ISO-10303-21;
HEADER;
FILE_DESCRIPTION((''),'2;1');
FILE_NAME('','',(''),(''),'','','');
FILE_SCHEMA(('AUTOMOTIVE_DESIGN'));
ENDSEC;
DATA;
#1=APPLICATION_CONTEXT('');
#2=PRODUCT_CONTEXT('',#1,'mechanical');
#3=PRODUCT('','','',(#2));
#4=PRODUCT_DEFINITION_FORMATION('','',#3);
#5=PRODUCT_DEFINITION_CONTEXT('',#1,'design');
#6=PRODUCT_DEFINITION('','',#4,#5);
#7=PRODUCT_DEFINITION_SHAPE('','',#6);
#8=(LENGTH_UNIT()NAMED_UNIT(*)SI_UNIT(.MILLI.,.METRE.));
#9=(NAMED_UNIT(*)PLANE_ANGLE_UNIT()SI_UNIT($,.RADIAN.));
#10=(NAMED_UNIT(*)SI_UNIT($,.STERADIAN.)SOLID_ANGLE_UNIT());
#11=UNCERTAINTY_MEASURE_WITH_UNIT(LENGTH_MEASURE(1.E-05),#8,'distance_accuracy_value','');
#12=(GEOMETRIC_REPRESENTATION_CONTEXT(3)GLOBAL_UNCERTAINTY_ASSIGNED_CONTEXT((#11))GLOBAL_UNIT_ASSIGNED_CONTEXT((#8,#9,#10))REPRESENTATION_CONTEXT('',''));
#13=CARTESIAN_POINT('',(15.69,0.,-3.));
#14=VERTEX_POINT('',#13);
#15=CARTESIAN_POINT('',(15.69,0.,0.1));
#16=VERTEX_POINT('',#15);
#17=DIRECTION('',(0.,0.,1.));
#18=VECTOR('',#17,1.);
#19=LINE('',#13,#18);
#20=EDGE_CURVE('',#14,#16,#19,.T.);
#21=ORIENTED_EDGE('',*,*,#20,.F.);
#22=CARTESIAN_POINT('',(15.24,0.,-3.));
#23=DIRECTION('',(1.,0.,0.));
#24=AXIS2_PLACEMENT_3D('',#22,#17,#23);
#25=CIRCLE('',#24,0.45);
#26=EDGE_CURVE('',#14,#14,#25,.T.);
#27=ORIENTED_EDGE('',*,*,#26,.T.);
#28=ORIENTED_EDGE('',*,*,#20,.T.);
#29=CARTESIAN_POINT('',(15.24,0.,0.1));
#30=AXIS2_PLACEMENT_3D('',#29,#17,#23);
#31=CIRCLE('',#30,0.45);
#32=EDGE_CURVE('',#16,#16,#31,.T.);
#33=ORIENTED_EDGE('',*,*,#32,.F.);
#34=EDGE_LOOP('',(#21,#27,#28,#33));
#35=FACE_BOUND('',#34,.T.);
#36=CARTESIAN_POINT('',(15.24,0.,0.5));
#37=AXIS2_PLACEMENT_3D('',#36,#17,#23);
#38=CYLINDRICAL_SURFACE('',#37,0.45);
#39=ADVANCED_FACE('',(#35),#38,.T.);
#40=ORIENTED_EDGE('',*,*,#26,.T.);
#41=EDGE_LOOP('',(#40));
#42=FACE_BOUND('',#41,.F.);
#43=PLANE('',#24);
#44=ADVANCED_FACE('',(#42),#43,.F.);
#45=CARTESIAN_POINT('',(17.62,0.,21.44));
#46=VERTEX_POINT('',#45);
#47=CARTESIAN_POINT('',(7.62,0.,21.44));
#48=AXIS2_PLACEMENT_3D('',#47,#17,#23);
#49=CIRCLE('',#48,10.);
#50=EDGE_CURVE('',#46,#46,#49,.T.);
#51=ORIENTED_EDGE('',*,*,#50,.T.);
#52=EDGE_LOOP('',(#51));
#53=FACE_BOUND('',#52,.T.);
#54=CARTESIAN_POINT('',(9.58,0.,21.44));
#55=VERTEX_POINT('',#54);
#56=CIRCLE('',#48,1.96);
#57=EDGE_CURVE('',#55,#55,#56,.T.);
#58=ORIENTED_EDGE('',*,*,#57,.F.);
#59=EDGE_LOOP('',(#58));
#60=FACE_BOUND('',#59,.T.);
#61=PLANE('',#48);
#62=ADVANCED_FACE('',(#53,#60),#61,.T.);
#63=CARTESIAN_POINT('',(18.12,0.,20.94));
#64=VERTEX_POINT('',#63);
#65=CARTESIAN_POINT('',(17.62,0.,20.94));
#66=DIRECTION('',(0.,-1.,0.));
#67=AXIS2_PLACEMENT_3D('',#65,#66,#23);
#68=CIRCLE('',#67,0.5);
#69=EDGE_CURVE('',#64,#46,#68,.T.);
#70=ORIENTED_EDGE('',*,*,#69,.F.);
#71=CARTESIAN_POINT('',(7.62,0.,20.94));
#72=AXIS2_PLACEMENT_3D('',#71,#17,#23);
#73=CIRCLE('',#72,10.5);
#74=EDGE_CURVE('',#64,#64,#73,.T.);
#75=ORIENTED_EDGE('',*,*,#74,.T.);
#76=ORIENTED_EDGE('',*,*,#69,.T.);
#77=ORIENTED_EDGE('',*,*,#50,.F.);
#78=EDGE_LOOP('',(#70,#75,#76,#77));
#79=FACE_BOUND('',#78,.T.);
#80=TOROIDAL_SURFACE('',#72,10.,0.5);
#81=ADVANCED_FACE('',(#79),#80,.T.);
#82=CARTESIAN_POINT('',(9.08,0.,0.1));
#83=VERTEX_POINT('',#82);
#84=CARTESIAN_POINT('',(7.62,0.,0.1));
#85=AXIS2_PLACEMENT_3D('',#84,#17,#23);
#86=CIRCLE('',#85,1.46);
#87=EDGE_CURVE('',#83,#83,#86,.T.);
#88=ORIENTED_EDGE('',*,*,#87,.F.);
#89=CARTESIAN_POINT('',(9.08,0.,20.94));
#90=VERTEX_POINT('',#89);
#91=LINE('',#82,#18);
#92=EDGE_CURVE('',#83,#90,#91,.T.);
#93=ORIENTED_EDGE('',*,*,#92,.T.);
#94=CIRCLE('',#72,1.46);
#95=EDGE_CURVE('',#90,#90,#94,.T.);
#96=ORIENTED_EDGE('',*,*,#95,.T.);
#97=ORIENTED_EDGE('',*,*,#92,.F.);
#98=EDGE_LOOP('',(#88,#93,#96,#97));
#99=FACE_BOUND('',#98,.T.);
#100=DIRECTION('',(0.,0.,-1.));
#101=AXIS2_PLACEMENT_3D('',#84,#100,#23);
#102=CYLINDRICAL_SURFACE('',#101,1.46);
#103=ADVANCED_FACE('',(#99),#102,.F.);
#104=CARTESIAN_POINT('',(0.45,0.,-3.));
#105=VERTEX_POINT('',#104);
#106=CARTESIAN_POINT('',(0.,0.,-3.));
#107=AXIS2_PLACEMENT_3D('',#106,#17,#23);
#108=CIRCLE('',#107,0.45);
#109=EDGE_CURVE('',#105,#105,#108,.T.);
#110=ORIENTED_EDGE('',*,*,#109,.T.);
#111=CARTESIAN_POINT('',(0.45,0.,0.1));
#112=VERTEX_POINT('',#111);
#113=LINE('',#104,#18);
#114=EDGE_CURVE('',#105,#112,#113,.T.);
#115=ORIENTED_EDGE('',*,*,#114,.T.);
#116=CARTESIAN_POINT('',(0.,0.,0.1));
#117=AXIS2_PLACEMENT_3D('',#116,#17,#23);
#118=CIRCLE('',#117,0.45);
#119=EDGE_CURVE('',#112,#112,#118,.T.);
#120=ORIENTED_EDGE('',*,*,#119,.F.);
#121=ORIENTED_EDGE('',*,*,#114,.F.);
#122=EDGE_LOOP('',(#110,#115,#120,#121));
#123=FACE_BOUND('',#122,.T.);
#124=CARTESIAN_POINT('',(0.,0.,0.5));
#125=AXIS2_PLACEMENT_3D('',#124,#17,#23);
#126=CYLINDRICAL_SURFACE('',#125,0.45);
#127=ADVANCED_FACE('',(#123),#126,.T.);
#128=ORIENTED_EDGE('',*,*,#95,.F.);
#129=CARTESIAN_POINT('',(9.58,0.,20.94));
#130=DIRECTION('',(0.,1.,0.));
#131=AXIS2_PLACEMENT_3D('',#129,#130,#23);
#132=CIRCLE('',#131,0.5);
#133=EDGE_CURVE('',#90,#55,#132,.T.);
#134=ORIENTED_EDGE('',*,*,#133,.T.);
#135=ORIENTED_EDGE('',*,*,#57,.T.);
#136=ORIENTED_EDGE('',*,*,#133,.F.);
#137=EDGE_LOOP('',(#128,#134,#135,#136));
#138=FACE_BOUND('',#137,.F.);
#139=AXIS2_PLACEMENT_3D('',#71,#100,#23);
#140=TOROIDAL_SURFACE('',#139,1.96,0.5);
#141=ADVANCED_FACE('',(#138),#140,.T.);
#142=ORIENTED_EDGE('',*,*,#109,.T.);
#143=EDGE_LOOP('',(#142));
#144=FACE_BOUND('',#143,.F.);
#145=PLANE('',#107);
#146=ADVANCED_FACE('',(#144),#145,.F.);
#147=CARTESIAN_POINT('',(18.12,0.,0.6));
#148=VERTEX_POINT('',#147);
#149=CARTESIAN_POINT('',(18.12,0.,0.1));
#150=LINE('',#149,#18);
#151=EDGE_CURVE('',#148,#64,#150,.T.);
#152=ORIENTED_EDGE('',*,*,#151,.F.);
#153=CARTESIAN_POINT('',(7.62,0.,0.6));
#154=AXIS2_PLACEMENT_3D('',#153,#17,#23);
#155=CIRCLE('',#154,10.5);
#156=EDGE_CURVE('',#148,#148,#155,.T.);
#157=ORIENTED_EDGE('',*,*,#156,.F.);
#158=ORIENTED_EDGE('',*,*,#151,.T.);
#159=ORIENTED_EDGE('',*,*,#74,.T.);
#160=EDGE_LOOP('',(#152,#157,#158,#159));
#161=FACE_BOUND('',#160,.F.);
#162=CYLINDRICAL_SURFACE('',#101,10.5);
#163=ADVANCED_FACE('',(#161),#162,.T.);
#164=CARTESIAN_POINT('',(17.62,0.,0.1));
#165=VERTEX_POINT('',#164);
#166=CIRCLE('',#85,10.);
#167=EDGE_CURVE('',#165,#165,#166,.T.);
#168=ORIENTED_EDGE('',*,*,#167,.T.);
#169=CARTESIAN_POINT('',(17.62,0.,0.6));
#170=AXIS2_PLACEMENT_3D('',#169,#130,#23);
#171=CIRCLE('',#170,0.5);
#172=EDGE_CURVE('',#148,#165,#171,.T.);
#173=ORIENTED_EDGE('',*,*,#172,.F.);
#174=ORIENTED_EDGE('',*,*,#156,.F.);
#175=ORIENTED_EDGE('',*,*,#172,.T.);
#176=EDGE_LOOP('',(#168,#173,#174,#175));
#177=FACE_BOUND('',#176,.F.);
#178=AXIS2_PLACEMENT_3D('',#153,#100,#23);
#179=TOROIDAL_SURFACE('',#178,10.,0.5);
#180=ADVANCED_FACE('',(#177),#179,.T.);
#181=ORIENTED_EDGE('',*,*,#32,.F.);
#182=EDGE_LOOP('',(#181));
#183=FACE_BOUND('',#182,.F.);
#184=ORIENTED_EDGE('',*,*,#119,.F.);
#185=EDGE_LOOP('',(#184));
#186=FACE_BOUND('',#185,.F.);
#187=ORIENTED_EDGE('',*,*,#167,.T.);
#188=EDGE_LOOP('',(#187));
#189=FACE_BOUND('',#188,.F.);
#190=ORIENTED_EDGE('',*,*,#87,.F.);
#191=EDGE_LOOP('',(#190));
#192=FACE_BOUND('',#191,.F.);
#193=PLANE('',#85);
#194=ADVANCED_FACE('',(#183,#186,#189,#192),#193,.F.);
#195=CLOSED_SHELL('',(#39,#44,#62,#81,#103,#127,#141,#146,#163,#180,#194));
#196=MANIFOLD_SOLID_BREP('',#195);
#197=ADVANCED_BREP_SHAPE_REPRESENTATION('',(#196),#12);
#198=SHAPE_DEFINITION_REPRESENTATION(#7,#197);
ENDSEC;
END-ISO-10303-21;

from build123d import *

# Parameters (mm, degrees)
SKETCH_R          = 10.5
SKETCH_R_2        = 1.46
PAD_DEPTH         = 21.34
FILLET_R          = 0.5
SKETCH001_R       = 0.45
PAD001_DEPTH      = 10.67
PAD001_DEPTH_BACK = 3.5


with BuildPart() as fillet_body:
    # Sketch → Pad (new body)
    with BuildSketch(Plane.XY.offset(0.1)):
        with Locations((7.62, 0)):
            Circle(SKETCH_R)
        with Locations((7.62, 0)):
            Circle(SKETCH_R_2, mode=Mode.SUBTRACT)
    extrude(amount=PAD_DEPTH)

    # Fillet
    fillet_edges = [fillet_body.edges().sort_by_distance(p)[0] for p in [
        (6.16, 0, 21.44),
        (-2.88, 0, 21.44),
        (-2.88, 0, 0.1),
    ]]
    fillet(fillet_edges, radius=FILLET_R)


with BuildPart() as pad001_mp_cp:
    # Sketch001 → Pad001 (new body, two sides)
    with BuildSketch(Plane.XY.offset(0.5)) as pad001_sk:
        Circle(SKETCH001_R)
        with Locations((15.24, 0)):
            Circle(SKETCH001_R)
    extrude(amount=PAD001_DEPTH)
    extrude(pad001_sk.sketch, amount=-PAD001_DEPTH_BACK)

    # Pad001_mp_cp: union Fillet body
    add(fillet_body.part)


solid = pad001_mp_cp.part
